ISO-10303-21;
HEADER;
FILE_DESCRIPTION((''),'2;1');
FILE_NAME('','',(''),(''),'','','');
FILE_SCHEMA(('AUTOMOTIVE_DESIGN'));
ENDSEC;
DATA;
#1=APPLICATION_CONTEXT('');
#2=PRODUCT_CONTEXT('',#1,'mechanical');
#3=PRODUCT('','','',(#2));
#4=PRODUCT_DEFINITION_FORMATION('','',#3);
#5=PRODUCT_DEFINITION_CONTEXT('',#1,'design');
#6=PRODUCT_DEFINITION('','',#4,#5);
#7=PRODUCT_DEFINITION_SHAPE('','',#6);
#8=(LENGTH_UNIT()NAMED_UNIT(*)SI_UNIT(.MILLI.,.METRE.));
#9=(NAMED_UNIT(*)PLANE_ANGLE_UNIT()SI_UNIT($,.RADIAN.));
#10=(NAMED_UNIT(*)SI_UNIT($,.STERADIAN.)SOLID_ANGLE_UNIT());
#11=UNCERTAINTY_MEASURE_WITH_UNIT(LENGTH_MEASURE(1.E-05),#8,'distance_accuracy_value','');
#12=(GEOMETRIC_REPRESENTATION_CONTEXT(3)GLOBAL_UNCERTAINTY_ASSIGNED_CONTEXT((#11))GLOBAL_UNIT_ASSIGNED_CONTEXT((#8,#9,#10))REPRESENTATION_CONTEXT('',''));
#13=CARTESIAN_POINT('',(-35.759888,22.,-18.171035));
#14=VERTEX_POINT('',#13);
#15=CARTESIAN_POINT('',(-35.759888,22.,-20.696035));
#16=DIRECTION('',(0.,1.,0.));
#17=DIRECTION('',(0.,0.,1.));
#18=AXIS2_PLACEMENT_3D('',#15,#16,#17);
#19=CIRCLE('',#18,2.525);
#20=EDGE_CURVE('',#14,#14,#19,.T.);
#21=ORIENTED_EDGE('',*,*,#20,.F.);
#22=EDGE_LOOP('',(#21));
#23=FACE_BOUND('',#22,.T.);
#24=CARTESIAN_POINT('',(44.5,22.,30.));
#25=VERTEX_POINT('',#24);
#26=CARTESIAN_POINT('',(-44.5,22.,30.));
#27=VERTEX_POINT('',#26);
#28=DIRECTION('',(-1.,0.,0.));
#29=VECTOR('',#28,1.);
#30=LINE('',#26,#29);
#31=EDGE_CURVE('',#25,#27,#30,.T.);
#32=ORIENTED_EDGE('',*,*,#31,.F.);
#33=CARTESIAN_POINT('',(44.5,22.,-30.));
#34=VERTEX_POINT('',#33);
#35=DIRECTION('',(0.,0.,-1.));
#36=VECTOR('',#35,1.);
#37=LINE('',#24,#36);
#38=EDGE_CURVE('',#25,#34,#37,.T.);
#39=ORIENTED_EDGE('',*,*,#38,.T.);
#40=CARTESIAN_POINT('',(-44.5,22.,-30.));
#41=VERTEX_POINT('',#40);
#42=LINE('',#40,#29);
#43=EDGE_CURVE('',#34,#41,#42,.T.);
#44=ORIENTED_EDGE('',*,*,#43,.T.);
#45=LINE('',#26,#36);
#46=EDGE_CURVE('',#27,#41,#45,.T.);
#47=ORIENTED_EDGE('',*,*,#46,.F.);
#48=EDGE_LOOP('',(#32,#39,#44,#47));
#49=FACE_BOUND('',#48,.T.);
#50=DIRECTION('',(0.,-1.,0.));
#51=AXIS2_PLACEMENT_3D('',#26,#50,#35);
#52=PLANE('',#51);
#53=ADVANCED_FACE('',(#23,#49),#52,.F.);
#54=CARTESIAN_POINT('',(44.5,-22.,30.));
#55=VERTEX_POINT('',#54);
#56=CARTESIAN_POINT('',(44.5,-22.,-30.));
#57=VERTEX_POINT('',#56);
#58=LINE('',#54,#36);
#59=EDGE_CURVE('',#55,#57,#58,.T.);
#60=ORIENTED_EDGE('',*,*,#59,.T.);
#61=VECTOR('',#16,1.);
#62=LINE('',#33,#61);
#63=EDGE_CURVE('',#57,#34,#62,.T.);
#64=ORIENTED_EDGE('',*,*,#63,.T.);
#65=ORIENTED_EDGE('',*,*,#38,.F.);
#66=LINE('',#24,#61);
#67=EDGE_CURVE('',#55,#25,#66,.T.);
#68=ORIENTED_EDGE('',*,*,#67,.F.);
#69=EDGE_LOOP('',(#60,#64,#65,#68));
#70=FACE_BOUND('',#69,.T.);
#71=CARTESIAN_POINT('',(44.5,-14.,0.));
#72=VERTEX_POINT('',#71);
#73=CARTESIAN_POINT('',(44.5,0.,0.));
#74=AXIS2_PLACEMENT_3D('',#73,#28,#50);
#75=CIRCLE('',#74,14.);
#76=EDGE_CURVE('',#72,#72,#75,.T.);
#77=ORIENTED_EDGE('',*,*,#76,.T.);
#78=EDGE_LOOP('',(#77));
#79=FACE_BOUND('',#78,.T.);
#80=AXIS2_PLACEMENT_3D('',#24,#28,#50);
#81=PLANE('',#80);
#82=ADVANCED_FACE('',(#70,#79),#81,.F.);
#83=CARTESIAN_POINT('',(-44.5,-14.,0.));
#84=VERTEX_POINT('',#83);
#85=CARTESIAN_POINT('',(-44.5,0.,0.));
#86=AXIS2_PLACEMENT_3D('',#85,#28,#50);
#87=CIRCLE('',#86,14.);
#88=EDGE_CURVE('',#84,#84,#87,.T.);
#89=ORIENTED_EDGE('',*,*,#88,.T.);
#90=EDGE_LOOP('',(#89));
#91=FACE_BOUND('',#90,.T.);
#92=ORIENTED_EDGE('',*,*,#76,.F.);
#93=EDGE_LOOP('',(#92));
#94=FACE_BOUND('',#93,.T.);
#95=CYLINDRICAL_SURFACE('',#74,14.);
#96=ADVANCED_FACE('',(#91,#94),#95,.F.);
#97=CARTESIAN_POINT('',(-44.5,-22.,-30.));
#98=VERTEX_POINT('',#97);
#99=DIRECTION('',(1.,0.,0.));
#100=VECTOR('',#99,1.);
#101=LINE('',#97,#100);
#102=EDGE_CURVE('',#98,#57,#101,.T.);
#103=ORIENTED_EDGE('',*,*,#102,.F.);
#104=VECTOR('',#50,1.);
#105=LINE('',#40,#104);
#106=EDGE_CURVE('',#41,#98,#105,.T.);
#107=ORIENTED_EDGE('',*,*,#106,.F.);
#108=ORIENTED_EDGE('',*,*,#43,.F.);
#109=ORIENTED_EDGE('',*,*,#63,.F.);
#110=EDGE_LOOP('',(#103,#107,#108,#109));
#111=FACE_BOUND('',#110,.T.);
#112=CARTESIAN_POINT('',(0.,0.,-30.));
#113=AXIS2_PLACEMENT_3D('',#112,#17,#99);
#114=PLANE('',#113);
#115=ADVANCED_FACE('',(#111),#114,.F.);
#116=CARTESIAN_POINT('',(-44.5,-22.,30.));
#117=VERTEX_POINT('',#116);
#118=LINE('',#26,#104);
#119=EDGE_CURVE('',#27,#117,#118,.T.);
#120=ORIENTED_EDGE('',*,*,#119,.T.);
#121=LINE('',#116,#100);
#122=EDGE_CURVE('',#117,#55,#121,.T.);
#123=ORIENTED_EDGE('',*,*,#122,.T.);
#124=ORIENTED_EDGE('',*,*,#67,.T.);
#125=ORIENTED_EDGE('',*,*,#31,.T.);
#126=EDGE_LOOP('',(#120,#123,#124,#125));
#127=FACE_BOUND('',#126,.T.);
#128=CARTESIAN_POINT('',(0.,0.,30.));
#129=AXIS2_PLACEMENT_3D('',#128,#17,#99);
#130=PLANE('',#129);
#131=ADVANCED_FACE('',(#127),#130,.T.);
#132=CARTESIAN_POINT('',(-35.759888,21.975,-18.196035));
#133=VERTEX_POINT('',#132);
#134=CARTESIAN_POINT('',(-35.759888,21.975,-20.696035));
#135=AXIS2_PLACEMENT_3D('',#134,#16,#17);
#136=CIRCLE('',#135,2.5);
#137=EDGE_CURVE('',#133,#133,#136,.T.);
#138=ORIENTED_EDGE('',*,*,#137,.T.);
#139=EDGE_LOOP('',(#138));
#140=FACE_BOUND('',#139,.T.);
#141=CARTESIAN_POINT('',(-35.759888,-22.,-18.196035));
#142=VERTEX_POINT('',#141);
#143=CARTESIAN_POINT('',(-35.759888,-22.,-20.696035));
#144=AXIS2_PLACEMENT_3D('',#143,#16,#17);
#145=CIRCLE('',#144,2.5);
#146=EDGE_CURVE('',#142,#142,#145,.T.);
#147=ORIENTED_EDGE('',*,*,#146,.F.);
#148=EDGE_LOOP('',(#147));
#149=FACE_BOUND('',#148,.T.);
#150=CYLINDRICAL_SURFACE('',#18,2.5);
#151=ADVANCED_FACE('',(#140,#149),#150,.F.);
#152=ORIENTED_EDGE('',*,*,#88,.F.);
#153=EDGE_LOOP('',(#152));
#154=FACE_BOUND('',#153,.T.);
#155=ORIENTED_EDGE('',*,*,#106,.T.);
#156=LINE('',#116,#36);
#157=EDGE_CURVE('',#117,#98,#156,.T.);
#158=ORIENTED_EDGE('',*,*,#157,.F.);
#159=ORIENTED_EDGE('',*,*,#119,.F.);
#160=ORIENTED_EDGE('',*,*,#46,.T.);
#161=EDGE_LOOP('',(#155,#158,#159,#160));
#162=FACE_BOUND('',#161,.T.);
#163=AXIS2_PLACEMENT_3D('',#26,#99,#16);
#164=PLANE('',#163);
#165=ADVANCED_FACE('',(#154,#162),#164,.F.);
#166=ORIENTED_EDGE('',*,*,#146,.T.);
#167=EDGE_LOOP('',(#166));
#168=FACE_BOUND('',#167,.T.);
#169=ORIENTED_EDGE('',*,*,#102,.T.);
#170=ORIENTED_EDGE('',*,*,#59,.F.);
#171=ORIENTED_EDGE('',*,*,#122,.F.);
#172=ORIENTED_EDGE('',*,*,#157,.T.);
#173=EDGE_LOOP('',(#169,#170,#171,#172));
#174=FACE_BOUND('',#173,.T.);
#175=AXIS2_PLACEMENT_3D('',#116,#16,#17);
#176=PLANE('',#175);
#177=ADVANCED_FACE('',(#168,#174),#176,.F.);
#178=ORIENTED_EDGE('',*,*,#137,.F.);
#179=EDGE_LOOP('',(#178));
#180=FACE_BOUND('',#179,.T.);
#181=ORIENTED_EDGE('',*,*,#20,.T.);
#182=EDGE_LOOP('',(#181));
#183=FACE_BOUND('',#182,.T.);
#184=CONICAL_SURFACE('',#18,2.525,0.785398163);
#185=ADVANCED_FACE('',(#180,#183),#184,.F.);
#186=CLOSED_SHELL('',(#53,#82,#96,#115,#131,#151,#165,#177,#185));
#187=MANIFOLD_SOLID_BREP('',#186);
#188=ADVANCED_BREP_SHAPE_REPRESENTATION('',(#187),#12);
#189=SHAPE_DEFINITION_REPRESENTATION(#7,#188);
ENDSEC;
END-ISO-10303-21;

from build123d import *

# Parameters (mm, degrees)
SKETCH1_W                       = 89
SKETCH1_H                       = 44
BOSS_EXTRUDE1_DEPTH             = 30
SKETCH3_R                       = 14
CUT_EXTRUDE1_DEPTH              = 97.462427919
F_5_0MM_DOWEL_HOLE1_D           = 5
F_5_0MM_DOWEL_HOLE1_CSINK_D     = 5.05
F_5_0MM_DOWEL_HOLE1_CSINK_ANGLE = 90


with BuildPart() as part:
    # Sketch1 → Boss-Extrude1 (new, symmetric)
    with BuildSketch(Plane.XY):
        Rectangle(SKETCH1_W, SKETCH1_H)
    extrude(amount=BOSS_EXTRUDE1_DEPTH, both=True)

    # Sketch3 → Cut-Extrude1 (cut, through all)
    with BuildSketch(Plane.ZY.offset(44.5)):
        with Locations(Location((0, 0, 0), (0, 0, 270))):
            Circle(SKETCH3_R)
    extrude(amount=-CUT_EXTRUDE1_DEPTH, mode=Mode.SUBTRACT)

    # Ø5.0mm Dowel Hole1 (through all)
    with Locations(Plane(origin=(0, 22, 0), x_dir=(1, 0, 0), z_dir=(0, 1, 0))):
        with Locations((-35.759887734, 20.696035026)):
            CounterSinkHole(F_5_0MM_DOWEL_HOLE1_D / 2, F_5_0MM_DOWEL_HOLE1_CSINK_D / 2, counter_sink_angle=F_5_0MM_DOWEL_HOLE1_CSINK_ANGLE)


solid = part.part
